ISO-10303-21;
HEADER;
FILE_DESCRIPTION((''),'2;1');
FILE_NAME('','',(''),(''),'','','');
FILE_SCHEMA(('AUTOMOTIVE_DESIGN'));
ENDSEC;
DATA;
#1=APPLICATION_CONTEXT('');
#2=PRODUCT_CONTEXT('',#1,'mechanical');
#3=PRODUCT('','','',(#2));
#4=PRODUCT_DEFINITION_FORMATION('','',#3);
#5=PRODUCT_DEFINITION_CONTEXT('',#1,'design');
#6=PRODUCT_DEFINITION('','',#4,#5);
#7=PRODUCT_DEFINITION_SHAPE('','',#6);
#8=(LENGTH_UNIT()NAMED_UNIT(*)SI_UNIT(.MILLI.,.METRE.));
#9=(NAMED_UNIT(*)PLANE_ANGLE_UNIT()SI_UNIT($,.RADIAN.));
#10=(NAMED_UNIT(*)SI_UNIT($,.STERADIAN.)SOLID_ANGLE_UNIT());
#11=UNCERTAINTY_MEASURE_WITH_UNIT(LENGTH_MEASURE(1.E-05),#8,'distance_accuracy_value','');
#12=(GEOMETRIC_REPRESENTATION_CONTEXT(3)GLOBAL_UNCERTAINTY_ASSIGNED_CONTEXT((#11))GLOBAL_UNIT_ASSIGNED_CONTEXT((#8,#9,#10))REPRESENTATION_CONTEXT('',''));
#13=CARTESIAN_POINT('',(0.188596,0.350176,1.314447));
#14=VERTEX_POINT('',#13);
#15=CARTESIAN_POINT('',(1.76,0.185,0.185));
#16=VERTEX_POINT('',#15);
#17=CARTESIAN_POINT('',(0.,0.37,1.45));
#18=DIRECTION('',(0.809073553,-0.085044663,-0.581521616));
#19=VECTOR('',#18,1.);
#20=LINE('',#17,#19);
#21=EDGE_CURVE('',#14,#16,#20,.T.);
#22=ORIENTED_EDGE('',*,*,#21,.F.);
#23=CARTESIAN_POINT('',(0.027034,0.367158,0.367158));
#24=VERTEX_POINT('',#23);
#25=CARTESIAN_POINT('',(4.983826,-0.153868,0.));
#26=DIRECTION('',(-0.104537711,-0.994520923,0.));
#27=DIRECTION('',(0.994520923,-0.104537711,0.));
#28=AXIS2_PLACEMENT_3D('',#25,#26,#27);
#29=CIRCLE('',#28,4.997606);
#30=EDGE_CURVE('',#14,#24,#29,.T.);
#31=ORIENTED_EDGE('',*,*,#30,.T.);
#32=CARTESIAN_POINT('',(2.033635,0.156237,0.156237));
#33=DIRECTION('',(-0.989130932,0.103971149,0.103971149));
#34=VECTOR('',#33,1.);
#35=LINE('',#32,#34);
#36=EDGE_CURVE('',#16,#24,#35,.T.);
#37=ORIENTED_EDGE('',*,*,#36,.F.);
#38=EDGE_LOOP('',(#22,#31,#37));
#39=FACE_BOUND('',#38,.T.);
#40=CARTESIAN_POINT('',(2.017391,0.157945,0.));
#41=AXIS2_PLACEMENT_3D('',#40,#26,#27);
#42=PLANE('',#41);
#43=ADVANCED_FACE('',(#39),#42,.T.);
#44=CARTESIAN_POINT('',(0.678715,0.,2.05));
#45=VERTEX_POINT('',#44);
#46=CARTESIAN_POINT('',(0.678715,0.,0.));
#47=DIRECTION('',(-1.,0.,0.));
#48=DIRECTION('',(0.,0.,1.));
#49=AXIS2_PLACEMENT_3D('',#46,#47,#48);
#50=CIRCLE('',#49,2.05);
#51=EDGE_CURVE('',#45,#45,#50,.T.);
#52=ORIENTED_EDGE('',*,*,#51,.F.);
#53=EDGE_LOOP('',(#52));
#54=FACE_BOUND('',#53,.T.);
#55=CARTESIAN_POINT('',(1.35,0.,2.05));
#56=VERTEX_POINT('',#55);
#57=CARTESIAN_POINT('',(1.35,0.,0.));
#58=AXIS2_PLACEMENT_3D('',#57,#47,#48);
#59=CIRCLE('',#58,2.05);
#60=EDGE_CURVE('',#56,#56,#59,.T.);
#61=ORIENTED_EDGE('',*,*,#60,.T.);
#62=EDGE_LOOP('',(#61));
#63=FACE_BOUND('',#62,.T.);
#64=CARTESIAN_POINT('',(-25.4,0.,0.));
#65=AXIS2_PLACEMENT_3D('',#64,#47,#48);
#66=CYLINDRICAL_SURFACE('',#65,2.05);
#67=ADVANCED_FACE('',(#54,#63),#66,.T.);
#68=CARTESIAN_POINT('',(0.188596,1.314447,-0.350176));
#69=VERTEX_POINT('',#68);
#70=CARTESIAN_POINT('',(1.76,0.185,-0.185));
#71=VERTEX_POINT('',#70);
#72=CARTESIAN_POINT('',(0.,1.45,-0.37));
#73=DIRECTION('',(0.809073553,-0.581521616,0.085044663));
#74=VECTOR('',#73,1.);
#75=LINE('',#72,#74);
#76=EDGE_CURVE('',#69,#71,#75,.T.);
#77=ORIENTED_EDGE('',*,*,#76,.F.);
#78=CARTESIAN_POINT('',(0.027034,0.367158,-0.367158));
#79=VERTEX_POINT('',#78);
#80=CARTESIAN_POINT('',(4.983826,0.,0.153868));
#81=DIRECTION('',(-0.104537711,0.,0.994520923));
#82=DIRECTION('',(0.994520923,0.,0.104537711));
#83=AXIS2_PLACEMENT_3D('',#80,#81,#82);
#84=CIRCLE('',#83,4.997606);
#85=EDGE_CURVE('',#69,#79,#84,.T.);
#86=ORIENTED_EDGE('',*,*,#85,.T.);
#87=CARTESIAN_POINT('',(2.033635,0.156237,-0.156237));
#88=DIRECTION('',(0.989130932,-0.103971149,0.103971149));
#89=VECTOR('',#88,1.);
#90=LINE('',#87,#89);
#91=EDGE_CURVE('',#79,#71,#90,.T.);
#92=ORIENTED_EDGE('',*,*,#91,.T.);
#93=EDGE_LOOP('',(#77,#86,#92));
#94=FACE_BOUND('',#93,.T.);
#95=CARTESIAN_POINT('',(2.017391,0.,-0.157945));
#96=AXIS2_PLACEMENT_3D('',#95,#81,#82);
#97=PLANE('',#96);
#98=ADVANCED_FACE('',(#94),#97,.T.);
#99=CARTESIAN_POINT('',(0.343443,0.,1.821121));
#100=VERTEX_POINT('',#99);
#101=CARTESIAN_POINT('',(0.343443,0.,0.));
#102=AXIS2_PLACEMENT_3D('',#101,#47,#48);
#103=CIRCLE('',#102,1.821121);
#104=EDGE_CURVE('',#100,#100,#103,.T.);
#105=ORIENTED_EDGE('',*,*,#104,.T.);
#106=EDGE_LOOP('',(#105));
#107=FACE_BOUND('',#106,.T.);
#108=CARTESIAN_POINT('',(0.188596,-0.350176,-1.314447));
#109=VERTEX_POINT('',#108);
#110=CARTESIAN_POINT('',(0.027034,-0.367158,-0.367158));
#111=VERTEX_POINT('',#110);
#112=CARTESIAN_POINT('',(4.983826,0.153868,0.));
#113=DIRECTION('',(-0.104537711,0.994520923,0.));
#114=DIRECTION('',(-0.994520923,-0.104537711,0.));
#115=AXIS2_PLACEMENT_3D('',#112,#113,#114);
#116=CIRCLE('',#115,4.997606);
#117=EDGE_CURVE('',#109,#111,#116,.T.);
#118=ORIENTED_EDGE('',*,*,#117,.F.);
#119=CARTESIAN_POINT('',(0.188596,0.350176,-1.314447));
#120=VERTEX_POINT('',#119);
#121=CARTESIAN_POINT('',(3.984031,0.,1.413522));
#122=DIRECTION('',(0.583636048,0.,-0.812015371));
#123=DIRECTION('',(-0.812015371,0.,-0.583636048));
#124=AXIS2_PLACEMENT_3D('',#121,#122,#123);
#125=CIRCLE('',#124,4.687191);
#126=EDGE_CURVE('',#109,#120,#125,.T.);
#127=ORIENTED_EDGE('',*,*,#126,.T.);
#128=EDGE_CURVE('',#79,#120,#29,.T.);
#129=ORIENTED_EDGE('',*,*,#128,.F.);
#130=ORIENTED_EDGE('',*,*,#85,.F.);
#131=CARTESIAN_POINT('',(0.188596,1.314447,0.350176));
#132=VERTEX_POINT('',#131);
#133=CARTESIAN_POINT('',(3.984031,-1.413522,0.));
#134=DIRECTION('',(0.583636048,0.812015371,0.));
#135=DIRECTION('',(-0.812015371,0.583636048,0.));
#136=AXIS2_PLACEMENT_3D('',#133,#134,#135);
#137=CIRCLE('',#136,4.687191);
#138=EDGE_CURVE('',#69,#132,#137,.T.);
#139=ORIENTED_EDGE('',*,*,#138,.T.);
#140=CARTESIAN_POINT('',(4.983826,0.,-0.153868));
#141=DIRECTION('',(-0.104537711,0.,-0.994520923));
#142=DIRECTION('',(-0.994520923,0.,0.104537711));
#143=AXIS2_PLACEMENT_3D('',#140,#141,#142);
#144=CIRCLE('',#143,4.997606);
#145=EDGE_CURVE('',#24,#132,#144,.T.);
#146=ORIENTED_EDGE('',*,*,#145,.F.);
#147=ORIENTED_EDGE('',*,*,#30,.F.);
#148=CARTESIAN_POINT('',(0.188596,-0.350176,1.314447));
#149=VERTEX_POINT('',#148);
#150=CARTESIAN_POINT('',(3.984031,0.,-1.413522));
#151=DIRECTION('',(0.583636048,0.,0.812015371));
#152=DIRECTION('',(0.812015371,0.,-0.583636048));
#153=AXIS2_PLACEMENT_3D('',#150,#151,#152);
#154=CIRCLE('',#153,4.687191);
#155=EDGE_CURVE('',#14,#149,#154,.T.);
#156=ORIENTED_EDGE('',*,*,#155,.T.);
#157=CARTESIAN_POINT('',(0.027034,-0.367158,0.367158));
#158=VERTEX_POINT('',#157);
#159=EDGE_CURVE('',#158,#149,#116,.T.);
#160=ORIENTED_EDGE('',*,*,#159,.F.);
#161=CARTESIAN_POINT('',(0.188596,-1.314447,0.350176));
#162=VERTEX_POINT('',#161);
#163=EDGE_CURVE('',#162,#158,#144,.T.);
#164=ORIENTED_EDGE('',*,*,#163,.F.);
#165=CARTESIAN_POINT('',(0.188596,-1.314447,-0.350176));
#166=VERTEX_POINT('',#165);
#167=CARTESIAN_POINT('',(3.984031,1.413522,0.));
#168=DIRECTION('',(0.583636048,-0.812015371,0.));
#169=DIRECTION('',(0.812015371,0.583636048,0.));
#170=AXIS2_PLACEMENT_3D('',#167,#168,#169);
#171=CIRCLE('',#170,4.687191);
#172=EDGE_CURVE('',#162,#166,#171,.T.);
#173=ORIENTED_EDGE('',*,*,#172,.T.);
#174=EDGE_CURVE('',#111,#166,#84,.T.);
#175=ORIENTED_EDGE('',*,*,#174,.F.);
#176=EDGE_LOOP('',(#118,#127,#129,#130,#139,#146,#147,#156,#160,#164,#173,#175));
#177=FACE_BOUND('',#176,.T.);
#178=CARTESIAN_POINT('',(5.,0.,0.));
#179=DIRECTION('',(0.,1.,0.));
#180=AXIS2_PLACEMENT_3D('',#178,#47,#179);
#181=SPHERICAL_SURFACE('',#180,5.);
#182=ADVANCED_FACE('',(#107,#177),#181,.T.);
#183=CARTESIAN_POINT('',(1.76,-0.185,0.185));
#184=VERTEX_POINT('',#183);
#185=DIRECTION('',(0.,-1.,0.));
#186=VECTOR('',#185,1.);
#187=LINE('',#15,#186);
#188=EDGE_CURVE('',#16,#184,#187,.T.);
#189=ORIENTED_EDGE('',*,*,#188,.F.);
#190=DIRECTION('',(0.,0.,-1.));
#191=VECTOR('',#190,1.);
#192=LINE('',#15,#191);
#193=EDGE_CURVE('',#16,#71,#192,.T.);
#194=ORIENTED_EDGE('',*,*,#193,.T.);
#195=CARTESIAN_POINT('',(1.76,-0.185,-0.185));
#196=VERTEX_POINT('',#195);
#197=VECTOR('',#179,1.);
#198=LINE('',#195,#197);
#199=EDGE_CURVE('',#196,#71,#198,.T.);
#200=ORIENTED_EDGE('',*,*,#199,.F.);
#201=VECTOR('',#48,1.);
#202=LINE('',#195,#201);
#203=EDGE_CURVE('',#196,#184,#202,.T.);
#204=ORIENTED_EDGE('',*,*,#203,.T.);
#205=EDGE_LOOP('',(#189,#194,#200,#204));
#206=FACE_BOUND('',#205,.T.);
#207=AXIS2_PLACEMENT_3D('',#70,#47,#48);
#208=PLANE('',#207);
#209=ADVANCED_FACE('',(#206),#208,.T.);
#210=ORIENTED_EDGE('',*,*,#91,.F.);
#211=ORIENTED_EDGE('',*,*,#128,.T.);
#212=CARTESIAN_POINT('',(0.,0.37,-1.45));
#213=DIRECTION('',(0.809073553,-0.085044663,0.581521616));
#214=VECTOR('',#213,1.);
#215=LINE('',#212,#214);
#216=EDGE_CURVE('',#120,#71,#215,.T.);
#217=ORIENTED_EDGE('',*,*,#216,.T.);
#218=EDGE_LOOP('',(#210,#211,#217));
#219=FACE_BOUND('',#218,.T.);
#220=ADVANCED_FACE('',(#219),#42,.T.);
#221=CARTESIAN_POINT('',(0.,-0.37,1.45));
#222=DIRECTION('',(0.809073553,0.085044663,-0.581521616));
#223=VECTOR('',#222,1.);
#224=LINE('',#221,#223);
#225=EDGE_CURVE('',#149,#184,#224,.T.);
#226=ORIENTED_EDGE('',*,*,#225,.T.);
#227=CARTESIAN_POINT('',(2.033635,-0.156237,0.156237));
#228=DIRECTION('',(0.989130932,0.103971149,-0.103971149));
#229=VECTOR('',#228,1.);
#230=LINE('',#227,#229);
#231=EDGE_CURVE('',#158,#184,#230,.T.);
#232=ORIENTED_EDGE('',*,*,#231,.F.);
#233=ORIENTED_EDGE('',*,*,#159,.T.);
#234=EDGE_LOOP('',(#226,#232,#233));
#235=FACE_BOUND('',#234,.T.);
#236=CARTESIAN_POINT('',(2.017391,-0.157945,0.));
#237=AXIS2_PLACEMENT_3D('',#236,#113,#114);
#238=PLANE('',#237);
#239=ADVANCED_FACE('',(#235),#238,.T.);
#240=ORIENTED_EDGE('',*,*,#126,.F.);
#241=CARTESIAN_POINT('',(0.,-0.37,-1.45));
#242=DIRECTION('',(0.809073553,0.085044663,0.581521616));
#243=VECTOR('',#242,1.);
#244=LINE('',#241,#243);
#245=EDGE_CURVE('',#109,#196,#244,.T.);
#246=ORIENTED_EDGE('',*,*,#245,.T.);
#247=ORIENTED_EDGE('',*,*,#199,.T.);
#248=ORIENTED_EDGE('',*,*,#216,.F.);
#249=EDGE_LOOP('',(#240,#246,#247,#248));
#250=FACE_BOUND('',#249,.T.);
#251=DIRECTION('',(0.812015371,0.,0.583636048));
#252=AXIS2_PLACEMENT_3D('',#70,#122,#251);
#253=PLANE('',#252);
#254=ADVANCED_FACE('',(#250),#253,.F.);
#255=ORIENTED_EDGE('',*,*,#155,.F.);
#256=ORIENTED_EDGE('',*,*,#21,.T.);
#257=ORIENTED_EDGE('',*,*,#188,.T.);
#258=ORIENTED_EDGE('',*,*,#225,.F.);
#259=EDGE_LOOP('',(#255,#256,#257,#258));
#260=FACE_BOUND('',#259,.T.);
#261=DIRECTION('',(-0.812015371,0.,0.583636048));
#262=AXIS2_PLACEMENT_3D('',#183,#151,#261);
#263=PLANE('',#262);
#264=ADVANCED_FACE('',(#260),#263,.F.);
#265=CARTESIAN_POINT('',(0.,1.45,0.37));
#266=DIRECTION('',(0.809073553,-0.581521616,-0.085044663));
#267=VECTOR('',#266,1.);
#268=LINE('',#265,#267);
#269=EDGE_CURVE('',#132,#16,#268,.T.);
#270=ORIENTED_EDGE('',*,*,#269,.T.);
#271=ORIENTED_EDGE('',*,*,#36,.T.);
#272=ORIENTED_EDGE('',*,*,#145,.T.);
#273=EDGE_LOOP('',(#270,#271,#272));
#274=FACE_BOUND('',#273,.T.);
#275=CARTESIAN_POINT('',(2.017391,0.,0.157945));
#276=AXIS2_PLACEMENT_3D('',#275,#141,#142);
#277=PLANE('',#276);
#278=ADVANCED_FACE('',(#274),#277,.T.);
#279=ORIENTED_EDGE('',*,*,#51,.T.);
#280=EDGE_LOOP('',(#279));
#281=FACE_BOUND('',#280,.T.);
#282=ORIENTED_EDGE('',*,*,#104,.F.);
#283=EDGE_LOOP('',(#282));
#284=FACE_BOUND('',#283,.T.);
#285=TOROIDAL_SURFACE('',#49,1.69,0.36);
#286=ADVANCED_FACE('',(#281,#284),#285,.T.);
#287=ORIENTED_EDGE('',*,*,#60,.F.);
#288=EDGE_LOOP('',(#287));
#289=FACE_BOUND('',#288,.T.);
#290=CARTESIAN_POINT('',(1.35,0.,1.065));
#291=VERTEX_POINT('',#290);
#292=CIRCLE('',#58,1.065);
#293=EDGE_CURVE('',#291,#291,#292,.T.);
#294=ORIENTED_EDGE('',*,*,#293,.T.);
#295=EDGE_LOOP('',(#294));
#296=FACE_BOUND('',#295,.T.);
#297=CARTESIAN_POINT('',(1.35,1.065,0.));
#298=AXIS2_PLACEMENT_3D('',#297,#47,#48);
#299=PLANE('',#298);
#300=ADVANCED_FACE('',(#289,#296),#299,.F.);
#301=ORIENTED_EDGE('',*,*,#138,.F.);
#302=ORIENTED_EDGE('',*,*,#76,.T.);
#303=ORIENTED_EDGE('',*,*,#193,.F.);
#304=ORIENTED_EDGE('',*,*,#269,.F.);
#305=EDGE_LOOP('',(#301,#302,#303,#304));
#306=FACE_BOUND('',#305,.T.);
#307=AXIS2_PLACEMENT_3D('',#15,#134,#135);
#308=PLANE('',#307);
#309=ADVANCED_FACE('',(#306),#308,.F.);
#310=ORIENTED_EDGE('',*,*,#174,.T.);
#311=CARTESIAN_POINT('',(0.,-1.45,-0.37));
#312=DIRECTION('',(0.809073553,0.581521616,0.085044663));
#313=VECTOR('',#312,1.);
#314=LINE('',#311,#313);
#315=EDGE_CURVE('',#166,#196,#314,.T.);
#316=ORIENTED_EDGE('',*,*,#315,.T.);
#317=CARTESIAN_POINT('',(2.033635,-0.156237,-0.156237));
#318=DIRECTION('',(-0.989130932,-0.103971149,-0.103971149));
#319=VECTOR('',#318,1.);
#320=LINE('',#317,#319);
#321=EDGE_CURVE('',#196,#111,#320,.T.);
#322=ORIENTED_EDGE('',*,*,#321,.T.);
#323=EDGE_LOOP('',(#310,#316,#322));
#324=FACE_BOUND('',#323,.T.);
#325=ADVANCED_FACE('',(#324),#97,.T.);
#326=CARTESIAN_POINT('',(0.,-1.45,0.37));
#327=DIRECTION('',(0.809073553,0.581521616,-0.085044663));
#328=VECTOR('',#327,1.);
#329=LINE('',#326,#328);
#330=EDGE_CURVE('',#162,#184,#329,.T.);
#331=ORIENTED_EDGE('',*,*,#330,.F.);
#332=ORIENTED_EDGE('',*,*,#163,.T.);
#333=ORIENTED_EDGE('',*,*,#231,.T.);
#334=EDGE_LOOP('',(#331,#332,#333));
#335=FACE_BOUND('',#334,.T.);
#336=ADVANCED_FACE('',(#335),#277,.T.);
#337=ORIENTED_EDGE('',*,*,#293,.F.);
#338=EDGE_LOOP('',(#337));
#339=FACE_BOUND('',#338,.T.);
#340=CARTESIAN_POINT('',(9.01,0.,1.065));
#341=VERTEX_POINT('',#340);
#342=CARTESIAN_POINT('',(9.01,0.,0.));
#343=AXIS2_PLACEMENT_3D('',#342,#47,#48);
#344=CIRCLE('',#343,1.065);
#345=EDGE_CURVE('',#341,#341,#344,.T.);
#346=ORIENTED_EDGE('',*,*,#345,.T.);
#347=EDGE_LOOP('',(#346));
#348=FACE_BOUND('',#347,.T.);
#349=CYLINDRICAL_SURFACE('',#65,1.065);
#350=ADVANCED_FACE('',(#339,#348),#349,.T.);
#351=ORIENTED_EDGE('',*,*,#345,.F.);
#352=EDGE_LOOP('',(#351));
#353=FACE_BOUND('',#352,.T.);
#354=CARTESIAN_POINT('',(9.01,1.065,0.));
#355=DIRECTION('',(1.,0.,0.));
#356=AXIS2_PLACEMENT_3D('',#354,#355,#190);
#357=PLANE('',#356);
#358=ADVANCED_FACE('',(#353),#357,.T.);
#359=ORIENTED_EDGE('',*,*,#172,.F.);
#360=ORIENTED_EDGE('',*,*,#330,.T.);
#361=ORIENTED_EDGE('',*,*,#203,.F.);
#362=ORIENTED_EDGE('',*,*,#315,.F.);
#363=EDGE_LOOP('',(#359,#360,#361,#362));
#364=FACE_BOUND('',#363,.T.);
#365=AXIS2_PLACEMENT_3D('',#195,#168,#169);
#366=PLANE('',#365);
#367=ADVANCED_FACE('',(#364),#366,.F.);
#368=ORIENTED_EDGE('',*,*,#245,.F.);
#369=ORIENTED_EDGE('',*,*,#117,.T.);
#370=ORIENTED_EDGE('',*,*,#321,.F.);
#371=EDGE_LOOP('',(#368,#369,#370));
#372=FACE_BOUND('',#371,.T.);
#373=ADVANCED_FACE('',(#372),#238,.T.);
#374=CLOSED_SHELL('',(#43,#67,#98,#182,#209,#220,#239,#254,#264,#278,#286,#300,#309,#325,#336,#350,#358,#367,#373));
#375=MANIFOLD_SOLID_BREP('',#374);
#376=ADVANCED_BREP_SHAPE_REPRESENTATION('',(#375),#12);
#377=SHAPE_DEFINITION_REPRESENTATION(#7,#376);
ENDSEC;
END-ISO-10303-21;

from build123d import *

# Parameters (mm, degrees)
SKETCH3_W         = 0.74
SKETCH3_H         = 2.9
SKETCH4_W         = 0.37
SKETCH4_H         = 0.37
CIRPATTERN1_COUNT = 2
CIRPATTERN1_ANGLE = 90


with BuildPart() as part:
    # BodySke → Base-Revolve (revolve)
    with BuildSketch(Plane.XY):
        with BuildLine():
            Line((1.35, 1.065), (1.35, 2.05))
            Line((1.35, 2.05), (0.678715469, 2.05))
            ThreePointArc((0.678715469, 2.05), (0.475741885, 1.987324274), (0.343443393, 1.82112069))
            ThreePointArc((0.343443393, 1.82112069), (0.086610995, 0.92661129), (0, 0))
            Line((0, 0), (9.01, 0))
            Line((9.01, 0), (9.01, 1.065))
            Line((9.01, 1.065), (1.35, 1.065))
        make_face()
    revolve(axis=Axis((-25.4, 0, 0), (1, 0, 0)))

    # Sketch3 → Cut-Loft1 section 0
    with BuildSketch(Plane(origin=(0, 0, 0), x_dir=(0, 0, -1), z_dir=(1, 0, 0))):
        Rectangle(SKETCH3_W, SKETCH3_H)
    # Sketch4 → Cut-Loft1 section 1
    with BuildSketch(Plane(origin=(1.76, 0, 0), x_dir=(0, 0, -1), z_dir=(1, 0, 0))):
        Rectangle(SKETCH4_W, SKETCH4_H)
    cut_loft1 = loft(mode=Mode.SUBTRACT)

    # CirPattern1: Cut-Loft1 ×2 about axis
    cirpattern1_axis = Axis((0, 0, 0), (1, 0, 0))
    for i in range(1, CIRPATTERN1_COUNT):
        add(cut_loft1.rotate(cirpattern1_axis, i * CIRPATTERN1_ANGLE / (CIRPATTERN1_COUNT - 1)), mode=Mode.SUBTRACT)


solid = part.part
